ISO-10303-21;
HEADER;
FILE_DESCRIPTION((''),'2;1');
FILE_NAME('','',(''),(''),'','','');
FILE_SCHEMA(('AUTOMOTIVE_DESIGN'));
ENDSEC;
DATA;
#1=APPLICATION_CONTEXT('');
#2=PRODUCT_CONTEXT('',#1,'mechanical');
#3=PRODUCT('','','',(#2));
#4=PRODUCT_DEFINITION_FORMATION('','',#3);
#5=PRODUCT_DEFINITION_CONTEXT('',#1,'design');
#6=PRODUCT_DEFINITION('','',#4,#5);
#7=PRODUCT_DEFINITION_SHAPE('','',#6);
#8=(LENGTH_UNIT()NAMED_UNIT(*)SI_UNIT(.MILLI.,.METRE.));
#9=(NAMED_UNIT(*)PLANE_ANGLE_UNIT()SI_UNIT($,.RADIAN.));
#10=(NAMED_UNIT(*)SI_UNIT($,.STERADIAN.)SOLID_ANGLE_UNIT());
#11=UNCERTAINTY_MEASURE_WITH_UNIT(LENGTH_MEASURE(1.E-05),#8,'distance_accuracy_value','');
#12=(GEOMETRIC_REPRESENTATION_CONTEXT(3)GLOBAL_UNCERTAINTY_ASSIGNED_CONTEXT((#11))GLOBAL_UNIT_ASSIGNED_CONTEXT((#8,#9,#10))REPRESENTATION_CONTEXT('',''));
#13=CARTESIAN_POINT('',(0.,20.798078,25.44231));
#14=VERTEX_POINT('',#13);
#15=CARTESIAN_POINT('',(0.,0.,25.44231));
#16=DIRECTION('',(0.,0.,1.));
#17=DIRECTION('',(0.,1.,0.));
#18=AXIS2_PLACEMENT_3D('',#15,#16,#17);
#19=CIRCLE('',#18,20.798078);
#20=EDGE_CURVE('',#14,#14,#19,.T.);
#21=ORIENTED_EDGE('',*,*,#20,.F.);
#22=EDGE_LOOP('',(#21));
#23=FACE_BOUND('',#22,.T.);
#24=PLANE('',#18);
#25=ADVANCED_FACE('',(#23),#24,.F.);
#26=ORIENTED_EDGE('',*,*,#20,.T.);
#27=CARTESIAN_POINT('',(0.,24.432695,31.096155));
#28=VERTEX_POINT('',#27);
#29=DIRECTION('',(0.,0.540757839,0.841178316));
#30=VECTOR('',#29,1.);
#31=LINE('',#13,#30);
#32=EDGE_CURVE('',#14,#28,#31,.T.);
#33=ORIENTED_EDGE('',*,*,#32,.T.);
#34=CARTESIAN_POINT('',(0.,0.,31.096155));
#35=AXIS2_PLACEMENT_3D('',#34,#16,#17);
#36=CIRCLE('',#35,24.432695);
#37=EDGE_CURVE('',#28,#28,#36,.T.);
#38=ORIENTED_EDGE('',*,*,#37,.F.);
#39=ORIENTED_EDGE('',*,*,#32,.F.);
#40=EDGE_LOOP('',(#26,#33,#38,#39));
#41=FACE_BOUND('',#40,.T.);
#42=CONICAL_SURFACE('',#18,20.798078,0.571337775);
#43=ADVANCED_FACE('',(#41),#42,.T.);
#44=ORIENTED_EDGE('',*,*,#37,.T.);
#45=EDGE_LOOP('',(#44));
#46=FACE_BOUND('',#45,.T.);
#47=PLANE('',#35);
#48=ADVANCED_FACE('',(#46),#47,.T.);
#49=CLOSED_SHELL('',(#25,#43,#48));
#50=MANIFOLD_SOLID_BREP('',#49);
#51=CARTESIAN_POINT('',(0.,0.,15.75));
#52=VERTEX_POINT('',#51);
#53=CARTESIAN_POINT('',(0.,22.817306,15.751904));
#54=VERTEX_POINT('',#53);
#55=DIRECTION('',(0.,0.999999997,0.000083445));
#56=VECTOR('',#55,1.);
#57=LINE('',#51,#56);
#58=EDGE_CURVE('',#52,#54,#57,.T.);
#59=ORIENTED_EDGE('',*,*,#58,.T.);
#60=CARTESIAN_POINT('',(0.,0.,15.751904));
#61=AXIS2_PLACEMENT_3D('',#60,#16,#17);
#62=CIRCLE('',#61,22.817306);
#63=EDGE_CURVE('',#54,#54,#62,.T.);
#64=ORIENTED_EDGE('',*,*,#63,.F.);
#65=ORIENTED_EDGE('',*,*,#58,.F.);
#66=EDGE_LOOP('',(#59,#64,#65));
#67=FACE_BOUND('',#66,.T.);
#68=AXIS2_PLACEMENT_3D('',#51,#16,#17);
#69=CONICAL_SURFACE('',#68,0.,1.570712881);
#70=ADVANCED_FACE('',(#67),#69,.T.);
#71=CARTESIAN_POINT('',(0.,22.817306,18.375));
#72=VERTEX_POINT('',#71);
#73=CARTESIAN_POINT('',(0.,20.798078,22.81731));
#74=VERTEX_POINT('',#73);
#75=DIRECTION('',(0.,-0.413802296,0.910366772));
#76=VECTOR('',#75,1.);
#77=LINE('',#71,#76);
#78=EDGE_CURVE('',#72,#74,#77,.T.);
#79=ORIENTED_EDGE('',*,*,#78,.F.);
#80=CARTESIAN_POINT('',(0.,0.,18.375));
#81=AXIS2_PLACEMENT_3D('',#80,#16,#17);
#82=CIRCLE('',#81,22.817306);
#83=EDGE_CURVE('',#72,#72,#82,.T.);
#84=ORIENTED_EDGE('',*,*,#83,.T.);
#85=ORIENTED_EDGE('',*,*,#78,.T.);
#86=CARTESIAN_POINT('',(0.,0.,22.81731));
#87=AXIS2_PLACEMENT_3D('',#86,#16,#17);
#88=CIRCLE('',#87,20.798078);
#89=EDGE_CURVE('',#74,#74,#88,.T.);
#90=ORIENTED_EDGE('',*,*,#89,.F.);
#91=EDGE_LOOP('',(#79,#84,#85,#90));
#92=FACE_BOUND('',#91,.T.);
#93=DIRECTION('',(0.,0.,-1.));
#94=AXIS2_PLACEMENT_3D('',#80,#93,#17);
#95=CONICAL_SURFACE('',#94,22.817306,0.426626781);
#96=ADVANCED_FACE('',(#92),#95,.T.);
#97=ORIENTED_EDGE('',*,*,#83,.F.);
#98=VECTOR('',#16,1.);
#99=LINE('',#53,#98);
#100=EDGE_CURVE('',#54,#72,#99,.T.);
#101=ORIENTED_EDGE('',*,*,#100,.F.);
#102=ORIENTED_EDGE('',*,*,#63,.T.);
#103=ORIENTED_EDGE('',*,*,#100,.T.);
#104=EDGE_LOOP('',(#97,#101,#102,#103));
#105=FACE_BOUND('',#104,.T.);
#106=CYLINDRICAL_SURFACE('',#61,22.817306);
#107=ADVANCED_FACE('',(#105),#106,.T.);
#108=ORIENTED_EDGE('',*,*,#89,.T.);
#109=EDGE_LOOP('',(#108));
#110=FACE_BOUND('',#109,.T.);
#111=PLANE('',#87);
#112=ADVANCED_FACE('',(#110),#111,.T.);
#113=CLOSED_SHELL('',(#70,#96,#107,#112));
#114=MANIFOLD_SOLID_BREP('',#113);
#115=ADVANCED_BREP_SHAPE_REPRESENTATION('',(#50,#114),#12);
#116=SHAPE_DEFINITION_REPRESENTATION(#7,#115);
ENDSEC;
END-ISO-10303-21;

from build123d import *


with BuildPart() as f1:
    # F0 (on Right) → F1 (revolve)
    with BuildSketch(Plane.YZ):
        Polygon((24.432695, 31.096155), (0, 31.096155), (0, 25.44231), (20.798078, 25.44231), align=None)
        Polygon((20.798078, 22.81731), (0, 22.81731), (0, 15.75), (22.817306, 15.751904), (22.817306, 18.375), align=None)
    revolve(axis=Axis((0, 0, 19.283655), (0, 0, 1)))


solid = f1.part
